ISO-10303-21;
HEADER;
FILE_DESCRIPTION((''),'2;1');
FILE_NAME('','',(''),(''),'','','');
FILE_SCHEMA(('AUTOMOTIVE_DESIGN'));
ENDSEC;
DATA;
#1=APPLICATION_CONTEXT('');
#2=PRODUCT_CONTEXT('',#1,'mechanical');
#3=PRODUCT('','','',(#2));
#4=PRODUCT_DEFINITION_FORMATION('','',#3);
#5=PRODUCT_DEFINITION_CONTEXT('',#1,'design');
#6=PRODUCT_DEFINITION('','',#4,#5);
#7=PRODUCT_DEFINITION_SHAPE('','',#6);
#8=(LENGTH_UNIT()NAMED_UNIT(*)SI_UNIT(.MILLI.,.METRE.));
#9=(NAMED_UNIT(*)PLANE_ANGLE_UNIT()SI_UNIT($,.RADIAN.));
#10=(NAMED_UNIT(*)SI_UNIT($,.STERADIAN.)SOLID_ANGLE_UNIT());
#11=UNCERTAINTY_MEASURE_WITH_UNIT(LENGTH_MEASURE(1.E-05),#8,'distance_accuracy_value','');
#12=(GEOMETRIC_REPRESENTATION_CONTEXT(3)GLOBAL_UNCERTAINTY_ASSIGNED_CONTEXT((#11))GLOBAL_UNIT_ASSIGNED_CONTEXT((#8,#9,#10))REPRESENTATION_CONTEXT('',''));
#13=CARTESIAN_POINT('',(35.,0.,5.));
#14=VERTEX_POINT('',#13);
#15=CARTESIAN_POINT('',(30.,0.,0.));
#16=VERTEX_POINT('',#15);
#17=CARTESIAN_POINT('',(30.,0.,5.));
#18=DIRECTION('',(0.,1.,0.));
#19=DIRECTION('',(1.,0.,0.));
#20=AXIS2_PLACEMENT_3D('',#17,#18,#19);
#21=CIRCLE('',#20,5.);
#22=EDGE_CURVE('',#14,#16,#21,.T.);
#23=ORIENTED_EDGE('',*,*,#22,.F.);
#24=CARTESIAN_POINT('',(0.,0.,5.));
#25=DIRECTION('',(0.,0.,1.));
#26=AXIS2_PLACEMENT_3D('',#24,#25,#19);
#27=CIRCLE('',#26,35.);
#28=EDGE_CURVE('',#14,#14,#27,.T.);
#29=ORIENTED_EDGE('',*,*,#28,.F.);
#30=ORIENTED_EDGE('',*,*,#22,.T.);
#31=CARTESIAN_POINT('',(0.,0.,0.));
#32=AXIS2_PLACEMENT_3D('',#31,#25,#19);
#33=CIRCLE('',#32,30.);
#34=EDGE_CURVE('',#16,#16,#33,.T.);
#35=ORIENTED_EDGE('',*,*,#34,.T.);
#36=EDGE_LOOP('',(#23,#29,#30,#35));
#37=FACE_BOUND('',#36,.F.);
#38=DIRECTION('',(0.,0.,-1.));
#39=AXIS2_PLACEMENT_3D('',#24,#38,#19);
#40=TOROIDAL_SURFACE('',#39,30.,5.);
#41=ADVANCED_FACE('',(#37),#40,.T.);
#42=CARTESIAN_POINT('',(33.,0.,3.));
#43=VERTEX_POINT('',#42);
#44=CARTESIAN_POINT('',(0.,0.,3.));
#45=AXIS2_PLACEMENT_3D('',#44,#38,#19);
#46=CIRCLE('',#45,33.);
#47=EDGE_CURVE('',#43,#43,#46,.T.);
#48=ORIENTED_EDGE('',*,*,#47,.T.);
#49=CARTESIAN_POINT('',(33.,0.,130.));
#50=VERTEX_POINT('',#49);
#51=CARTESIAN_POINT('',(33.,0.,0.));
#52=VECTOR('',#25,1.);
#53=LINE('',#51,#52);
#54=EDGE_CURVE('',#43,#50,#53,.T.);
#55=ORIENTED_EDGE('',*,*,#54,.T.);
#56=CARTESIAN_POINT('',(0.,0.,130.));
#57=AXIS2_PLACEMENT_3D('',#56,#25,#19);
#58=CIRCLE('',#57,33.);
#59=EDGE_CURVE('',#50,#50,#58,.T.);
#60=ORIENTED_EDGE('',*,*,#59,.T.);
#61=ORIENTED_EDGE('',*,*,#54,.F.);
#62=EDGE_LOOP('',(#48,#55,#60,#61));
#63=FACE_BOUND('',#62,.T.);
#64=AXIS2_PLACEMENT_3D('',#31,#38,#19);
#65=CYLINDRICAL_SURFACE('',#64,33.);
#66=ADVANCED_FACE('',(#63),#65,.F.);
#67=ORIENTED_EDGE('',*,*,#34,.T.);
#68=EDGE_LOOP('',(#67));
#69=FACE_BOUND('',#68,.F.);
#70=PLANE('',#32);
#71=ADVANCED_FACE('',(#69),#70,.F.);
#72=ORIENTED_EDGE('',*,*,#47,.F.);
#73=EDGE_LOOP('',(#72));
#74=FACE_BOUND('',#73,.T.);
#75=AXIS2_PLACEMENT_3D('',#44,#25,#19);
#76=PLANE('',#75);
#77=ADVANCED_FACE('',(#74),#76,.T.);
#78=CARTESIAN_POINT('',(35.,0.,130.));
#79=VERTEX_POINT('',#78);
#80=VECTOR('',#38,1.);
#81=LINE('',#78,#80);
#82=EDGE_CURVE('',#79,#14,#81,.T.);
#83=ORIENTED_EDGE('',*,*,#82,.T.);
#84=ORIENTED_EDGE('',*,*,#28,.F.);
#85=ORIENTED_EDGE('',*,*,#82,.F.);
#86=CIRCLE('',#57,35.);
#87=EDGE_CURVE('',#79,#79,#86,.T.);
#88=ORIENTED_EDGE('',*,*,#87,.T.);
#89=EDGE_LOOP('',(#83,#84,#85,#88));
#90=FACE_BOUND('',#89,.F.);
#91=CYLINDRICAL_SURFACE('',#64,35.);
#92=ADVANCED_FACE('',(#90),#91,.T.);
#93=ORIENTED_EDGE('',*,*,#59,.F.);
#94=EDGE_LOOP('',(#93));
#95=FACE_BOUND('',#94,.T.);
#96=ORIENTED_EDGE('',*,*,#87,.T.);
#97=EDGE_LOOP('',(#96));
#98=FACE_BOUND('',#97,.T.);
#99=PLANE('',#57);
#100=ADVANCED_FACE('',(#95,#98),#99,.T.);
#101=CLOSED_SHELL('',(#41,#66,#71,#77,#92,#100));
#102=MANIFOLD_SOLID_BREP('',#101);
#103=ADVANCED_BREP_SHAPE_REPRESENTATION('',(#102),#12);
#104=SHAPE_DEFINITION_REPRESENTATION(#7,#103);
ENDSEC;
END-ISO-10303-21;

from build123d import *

# Parameters (mm, degrees)
F0_R     = 35
F0_R_2   = 33
F1_DEPTH = 130
F2_R     = 35
F3_DEPTH = 3
F4_R     = 5


with BuildPart() as f1:
    # F0 (on Top) → F1 (new body)
    with BuildSketch(Plane.XY):
        Circle(F0_R)
        Circle(F0_R_2, mode=Mode.SUBTRACT)
    extrude(amount=F1_DEPTH)

    # F2 (on Top) → F3 (join)
    with BuildSketch(Plane.XY):
        Circle(F2_R)
    extrude(amount=F3_DEPTH)

    # F4
    f4_edges = [f1.edges().sort_by_distance(p)[0] for p in [
        (-35, 0, 0),
    ]]
    fillet(f4_edges, radius=F4_R)


solid = f1.part
